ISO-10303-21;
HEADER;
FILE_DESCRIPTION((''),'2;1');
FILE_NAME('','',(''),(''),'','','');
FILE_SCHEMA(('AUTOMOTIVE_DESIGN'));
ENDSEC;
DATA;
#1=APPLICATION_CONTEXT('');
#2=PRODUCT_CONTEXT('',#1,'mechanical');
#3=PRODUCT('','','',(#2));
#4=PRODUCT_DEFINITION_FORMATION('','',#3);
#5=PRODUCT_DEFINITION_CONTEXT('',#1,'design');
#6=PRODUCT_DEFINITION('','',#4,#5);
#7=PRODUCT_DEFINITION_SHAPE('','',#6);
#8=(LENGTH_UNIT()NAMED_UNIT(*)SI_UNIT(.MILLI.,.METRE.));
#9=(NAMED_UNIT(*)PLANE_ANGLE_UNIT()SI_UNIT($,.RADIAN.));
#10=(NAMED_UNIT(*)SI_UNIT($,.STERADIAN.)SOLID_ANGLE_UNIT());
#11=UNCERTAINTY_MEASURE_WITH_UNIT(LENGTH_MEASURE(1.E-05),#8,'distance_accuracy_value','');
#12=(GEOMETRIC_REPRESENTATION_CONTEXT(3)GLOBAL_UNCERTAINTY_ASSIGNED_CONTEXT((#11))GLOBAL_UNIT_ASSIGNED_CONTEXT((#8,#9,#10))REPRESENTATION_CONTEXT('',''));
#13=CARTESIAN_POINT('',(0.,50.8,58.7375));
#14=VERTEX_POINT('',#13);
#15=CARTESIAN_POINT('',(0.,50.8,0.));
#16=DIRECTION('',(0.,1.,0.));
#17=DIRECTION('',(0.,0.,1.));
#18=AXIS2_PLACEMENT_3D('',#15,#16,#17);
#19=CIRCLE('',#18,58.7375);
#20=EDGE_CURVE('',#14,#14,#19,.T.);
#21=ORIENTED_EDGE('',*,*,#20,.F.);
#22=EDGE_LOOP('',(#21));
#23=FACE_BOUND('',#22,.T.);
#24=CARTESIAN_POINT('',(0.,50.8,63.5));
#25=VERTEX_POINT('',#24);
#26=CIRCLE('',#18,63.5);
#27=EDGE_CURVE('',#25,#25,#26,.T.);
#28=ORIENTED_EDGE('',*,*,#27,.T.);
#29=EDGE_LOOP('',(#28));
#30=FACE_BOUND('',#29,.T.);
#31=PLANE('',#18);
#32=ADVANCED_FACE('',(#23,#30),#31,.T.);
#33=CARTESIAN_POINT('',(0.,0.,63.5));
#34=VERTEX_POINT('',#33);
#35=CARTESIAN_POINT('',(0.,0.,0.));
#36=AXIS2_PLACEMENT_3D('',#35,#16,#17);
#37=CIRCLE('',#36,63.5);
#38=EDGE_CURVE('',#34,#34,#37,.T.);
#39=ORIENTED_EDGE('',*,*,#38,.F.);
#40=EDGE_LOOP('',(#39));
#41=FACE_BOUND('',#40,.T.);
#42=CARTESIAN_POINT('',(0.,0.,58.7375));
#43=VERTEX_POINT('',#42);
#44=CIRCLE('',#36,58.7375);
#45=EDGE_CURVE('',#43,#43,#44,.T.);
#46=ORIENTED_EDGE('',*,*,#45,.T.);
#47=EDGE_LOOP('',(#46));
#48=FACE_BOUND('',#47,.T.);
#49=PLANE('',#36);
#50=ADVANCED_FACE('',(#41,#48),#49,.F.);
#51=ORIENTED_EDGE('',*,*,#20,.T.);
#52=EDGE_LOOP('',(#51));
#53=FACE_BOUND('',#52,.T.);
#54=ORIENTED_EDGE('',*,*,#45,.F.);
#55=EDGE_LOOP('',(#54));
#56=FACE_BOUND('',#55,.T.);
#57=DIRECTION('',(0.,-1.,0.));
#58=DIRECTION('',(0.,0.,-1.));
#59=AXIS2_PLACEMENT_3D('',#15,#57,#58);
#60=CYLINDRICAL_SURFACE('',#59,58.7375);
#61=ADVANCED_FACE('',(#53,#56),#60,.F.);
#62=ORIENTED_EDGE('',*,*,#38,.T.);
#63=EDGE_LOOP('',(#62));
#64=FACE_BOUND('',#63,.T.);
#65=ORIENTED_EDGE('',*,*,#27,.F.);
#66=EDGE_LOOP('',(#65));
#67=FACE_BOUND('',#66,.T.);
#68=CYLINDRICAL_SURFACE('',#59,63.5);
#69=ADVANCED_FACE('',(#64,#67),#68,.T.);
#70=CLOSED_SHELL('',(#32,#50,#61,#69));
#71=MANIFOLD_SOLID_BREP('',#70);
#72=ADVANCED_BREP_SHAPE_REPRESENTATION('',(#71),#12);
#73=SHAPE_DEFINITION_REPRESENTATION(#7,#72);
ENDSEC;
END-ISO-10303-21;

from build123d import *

# Parameters (mm, degrees)
SKETCH1_R      = 63.5
SKETCH1_R_2    = 58.7375
EXTRUDE1_DEPTH = 50.8


with BuildPart() as part:
    # Sketch1 → Extrude1 (new body)
    with BuildSketch(Plane(origin=(0, 0, 0), x_dir=(1, 0, 0), z_dir=(0, 1, 0))):
        Circle(SKETCH1_R)
        Circle(SKETCH1_R_2, mode=Mode.SUBTRACT)
    extrude(amount=EXTRUDE1_DEPTH)


solid = part.part
